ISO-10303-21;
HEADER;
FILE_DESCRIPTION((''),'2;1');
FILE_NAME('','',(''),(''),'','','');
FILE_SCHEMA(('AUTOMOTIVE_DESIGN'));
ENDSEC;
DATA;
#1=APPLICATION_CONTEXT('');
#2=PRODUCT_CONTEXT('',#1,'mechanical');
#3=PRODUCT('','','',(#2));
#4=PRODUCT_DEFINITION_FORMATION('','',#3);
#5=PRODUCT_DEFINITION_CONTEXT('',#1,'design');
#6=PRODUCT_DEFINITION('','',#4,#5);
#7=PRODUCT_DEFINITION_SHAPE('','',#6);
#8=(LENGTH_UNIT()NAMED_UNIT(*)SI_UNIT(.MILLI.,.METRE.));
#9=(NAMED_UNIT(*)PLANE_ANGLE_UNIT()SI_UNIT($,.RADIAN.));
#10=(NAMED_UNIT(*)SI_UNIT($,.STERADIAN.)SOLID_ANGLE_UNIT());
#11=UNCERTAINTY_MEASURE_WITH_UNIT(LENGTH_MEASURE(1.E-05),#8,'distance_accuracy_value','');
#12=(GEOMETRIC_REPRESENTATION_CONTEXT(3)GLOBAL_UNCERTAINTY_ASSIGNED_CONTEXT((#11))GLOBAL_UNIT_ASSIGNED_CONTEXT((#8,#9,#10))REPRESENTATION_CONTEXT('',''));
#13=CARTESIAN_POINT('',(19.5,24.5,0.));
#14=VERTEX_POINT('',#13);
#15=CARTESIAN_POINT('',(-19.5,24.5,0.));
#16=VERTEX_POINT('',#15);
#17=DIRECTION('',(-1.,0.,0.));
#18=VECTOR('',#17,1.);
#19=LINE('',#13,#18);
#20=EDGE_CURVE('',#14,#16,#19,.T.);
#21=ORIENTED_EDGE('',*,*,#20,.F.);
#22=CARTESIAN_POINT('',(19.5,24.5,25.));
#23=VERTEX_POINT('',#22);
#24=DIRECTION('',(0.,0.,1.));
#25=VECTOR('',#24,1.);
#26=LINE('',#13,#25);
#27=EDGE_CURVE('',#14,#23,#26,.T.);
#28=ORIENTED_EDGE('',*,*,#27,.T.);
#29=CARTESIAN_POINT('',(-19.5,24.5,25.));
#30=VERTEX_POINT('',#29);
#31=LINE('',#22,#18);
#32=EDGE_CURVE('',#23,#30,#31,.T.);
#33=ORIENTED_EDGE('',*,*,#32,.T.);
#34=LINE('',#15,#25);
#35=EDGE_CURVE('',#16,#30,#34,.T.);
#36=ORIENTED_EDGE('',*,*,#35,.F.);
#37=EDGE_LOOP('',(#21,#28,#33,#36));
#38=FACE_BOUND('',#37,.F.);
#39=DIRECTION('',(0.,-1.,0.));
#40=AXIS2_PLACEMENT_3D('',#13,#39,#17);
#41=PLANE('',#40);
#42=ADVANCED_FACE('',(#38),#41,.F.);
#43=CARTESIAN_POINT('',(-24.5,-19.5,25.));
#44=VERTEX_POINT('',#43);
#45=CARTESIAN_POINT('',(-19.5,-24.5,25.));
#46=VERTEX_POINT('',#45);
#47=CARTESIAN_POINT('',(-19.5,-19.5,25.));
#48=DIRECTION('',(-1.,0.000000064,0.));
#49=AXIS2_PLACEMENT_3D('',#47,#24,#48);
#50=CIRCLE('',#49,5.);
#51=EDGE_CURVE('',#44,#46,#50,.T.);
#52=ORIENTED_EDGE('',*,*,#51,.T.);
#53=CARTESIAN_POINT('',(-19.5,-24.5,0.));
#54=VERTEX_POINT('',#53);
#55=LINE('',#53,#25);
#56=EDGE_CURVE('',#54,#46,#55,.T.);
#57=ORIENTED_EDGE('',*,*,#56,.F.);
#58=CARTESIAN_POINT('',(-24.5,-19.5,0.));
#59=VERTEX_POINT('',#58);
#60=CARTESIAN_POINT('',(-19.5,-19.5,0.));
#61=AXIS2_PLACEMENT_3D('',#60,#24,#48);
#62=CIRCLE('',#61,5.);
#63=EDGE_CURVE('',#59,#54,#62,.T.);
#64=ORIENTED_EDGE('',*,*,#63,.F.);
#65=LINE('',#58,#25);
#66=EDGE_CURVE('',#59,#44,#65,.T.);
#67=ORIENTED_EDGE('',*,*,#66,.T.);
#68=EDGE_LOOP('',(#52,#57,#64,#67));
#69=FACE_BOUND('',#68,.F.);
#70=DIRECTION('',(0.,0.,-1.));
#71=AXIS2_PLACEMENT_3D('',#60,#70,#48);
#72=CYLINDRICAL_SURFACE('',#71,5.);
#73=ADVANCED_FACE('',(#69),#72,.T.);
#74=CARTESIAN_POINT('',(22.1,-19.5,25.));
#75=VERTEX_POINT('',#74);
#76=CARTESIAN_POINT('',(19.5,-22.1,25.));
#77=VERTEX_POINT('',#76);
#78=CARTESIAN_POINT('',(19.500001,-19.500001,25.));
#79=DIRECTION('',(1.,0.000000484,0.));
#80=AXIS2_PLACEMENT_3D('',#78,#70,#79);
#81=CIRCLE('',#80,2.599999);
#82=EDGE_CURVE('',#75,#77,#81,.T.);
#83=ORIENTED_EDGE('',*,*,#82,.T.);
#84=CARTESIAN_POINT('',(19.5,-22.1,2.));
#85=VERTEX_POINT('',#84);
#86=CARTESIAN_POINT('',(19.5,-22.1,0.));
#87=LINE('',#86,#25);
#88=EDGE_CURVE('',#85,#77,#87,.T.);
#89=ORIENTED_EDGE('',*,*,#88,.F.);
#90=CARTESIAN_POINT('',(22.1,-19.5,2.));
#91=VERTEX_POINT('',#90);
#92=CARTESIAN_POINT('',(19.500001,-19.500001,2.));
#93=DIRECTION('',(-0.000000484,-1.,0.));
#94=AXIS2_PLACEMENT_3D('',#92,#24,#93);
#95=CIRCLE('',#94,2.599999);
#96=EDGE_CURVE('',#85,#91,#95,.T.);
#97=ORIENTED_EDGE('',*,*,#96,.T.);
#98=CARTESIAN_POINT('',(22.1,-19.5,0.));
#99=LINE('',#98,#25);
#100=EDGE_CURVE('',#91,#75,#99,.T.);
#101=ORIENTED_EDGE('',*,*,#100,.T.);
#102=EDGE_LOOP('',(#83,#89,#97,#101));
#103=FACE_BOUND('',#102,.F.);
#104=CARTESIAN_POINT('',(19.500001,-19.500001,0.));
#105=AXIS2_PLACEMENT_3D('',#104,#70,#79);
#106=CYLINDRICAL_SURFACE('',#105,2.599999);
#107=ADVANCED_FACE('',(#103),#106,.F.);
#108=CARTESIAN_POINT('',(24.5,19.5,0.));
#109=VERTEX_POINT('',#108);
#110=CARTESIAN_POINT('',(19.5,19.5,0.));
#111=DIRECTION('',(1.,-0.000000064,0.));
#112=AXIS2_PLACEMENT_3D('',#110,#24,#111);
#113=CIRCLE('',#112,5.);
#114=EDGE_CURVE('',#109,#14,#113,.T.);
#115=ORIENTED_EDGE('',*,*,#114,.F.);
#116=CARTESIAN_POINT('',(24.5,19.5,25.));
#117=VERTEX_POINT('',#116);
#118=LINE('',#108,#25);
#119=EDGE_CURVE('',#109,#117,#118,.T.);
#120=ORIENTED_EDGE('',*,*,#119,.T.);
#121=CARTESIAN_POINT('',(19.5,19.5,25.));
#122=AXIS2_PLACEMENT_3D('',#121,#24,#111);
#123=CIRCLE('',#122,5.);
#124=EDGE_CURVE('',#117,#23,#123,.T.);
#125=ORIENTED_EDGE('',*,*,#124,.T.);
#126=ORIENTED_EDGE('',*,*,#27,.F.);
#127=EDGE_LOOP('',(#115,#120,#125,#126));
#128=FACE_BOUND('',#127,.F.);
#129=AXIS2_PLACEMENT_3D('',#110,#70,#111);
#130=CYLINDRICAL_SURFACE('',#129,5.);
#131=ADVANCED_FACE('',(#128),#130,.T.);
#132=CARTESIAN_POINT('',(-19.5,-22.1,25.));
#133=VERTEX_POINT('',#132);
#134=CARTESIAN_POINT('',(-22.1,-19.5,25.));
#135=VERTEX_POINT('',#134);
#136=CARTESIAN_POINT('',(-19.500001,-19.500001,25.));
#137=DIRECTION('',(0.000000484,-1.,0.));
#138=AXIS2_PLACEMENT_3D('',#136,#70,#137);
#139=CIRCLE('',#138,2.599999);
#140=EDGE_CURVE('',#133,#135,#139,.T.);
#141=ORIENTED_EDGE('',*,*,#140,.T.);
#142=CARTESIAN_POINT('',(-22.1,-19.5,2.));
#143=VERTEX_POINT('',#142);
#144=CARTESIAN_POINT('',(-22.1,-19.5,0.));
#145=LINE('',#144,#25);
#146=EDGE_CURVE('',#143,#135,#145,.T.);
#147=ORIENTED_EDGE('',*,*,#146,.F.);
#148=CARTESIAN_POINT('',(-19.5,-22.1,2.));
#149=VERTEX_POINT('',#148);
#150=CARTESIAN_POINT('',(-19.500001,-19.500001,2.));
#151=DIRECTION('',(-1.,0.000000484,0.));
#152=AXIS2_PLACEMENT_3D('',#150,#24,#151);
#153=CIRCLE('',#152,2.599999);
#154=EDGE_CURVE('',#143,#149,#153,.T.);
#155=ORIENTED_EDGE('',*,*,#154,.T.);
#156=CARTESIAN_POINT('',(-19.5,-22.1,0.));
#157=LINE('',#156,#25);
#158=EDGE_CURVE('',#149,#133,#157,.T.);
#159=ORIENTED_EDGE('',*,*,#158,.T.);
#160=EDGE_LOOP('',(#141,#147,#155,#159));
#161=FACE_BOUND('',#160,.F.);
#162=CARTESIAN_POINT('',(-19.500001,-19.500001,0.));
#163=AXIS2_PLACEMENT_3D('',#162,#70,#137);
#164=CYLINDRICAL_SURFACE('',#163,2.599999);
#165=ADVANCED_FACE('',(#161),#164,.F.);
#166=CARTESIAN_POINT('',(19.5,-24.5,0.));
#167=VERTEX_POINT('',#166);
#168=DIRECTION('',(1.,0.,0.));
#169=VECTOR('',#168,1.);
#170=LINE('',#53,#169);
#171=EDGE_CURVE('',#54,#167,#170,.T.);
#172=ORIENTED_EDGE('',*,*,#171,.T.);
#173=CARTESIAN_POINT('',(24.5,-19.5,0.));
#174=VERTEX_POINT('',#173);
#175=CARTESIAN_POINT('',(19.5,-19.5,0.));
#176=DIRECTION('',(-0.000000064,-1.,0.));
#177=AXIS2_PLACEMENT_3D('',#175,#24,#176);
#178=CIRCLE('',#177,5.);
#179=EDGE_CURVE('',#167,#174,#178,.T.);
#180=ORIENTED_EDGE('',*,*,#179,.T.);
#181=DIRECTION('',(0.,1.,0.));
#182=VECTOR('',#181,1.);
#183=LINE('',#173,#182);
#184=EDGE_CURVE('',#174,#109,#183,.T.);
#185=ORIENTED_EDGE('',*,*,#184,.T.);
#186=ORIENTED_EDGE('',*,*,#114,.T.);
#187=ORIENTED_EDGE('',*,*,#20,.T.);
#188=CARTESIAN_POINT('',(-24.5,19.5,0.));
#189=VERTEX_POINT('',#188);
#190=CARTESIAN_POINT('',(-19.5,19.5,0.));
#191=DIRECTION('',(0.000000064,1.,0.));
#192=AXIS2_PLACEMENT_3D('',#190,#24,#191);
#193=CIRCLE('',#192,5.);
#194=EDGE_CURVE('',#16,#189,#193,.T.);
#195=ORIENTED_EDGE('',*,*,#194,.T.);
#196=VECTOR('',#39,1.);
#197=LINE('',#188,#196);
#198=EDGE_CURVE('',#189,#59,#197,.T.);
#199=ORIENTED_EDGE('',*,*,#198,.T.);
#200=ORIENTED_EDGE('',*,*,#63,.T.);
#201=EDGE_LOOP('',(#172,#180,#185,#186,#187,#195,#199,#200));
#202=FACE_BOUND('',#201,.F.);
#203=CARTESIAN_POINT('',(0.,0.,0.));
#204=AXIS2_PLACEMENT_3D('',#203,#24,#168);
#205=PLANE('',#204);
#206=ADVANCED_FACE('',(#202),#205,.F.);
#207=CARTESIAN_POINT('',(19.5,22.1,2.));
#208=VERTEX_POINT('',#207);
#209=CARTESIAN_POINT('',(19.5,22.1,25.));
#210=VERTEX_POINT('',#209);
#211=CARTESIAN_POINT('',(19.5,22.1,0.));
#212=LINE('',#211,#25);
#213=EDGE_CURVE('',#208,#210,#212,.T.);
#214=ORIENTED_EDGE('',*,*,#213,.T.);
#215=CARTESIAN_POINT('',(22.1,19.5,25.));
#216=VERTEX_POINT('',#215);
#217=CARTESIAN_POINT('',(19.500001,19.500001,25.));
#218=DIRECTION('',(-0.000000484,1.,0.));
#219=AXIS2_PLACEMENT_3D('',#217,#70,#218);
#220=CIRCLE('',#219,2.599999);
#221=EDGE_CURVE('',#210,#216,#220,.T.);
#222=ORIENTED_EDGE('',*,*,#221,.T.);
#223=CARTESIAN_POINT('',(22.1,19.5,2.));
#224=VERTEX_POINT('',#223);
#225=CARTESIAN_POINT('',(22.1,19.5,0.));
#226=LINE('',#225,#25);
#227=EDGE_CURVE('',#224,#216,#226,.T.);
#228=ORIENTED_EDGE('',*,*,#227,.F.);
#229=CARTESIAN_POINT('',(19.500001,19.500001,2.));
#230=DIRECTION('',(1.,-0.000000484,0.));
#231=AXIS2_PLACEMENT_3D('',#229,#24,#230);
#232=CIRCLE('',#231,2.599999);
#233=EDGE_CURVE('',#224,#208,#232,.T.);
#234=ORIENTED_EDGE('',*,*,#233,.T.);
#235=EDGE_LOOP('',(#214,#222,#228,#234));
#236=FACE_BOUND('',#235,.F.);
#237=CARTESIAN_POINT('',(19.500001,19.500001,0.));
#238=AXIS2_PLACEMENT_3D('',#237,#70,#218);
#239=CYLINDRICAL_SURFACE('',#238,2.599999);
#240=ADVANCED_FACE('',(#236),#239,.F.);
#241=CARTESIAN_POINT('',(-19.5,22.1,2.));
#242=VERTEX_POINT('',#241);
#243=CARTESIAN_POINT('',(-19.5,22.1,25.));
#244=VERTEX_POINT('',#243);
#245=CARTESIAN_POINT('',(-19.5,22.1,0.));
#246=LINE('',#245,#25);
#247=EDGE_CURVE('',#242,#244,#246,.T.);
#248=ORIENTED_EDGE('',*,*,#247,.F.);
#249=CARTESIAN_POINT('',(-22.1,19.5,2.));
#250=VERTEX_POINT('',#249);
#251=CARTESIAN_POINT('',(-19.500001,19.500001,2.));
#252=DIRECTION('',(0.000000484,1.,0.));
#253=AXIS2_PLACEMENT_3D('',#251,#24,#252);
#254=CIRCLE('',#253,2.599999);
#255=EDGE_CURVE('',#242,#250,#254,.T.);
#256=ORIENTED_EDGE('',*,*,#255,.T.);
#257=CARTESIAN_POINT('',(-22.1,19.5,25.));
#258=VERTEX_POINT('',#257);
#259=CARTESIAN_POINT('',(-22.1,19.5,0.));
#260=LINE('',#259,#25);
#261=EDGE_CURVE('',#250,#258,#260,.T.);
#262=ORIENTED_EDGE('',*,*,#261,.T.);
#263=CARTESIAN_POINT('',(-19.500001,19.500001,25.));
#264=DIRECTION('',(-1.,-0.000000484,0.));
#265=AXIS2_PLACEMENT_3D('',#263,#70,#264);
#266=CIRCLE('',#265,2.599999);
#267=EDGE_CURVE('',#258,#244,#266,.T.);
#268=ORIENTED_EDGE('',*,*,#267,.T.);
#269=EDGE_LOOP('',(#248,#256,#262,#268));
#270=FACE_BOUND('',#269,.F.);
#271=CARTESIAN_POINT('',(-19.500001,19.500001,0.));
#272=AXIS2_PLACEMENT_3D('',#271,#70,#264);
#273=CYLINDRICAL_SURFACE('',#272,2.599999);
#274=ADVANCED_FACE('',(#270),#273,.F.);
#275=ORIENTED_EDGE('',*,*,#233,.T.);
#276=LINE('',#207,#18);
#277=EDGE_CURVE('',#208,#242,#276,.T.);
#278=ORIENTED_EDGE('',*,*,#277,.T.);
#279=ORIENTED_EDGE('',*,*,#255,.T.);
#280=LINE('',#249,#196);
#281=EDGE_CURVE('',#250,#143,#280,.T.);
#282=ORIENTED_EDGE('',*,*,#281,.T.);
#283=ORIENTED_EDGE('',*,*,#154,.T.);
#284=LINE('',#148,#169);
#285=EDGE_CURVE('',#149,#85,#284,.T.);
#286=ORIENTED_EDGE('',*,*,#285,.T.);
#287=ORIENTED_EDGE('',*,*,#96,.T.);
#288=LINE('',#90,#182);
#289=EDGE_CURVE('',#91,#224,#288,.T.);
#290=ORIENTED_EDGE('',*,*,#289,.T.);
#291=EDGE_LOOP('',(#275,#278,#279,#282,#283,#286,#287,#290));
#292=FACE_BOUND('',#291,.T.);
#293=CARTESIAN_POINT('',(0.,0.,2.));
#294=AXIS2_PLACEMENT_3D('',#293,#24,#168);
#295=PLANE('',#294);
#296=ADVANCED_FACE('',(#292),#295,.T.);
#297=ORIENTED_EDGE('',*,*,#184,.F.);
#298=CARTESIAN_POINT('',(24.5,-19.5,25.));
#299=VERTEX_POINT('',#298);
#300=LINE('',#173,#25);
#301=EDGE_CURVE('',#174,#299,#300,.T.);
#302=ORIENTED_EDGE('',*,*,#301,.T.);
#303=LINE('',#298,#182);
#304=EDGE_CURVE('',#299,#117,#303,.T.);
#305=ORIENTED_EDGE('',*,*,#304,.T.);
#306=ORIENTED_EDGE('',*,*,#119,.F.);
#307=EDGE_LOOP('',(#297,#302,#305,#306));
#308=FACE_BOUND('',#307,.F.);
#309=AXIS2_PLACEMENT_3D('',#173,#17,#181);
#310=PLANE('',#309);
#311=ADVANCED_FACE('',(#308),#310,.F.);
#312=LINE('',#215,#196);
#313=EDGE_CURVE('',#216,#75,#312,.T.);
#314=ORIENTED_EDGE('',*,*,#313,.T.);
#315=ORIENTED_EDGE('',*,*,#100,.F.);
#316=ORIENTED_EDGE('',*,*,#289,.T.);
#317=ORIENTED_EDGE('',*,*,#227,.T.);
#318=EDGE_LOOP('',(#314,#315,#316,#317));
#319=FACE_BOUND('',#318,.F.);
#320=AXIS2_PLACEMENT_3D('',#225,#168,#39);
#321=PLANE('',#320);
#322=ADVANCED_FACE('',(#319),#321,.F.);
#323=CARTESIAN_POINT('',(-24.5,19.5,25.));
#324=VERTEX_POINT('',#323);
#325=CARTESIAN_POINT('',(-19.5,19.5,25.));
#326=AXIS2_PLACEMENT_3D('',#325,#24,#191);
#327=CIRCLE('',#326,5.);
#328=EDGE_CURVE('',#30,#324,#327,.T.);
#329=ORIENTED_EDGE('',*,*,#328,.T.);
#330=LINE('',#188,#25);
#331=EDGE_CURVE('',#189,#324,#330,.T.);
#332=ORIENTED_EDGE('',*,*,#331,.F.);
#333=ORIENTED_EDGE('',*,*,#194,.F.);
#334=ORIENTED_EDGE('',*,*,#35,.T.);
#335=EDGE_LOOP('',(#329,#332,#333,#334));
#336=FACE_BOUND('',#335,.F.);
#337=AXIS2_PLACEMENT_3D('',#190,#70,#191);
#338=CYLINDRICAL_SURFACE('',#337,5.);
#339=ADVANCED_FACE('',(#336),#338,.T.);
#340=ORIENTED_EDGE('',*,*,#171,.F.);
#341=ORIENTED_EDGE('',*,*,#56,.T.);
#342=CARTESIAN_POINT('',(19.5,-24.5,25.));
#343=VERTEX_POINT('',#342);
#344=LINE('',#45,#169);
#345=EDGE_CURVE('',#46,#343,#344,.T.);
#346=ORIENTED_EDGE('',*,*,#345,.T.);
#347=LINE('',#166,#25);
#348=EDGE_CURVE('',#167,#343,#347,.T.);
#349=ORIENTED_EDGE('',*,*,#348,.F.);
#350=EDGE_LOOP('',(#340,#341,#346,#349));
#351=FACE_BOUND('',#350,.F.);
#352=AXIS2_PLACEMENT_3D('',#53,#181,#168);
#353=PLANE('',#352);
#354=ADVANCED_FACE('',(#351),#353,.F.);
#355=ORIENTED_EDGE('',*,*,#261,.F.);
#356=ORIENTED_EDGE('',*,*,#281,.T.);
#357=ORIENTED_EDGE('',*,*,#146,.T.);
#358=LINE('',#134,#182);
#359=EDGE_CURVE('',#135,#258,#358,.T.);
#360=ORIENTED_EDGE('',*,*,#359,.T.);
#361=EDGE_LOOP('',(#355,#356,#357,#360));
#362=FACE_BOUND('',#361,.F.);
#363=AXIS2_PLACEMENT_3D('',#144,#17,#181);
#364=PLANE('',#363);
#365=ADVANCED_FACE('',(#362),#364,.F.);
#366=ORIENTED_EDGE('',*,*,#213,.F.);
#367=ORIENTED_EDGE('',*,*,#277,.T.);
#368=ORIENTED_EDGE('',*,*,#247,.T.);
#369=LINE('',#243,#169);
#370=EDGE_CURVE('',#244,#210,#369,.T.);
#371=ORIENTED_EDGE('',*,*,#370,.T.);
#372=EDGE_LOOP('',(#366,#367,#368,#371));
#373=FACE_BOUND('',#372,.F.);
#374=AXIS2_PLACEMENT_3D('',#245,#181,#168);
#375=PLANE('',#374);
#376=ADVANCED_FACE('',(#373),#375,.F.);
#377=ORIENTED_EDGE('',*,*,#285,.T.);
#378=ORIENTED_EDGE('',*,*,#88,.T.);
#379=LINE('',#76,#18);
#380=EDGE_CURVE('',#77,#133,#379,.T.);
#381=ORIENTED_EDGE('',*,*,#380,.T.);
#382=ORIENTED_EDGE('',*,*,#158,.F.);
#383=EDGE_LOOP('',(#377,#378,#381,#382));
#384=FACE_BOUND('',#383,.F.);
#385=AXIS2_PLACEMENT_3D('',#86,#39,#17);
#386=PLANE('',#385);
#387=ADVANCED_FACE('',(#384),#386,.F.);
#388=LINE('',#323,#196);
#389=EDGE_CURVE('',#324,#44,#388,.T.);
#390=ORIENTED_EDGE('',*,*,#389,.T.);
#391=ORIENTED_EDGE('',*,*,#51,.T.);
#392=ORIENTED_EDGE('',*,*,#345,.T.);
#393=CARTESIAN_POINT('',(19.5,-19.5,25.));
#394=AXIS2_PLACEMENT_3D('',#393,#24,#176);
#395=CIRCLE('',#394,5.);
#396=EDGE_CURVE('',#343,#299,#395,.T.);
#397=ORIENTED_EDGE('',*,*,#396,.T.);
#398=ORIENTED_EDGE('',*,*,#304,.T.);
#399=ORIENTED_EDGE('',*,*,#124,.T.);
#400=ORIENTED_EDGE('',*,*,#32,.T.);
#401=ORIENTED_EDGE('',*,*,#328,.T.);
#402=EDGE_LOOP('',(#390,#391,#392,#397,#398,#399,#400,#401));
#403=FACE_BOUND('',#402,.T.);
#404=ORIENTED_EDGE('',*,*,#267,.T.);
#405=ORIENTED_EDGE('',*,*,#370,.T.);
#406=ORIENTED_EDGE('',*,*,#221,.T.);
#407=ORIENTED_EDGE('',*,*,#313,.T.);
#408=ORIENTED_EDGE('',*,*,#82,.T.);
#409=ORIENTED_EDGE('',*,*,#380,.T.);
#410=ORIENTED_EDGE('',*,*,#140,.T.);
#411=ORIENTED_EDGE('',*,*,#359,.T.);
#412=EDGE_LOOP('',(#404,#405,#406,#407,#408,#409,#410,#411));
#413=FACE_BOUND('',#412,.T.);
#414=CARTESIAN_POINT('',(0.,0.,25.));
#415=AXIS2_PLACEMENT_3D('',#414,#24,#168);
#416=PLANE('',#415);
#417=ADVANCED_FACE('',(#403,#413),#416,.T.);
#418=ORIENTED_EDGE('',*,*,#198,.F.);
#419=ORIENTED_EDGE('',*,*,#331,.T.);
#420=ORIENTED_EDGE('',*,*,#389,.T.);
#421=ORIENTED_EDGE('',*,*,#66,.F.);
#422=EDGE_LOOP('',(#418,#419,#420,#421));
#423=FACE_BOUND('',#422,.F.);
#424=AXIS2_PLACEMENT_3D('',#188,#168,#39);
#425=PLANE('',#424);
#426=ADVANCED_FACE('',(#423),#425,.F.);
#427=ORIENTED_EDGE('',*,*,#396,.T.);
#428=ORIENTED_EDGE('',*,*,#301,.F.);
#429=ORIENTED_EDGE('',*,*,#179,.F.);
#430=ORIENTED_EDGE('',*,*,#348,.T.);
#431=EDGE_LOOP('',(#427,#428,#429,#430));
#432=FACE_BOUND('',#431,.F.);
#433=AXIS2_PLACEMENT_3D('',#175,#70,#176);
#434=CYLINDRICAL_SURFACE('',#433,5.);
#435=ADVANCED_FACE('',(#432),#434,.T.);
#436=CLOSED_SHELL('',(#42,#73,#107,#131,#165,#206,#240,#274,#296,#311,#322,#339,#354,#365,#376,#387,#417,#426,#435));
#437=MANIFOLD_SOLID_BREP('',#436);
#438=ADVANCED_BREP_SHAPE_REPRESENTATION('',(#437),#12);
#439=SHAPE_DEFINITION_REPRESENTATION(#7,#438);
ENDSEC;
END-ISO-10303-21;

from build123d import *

# Parameters (mm, degrees)
F1_DEPTH = 25
F2_DEPTH = 2


with BuildPart() as f1:
    # F0 (on Top) → F1 (new body)
    with BuildSketch(Plane.XY):
        with BuildLine():
            ThreePointArc((-19.5, 24.5), (-23.035534, 23.035534), (-24.5, 19.5))
            Line((-24.5, 19.5), (-24.5, -19.5))
            ThreePointArc((-24.5, -19.5), (-23.035534, -23.035534), (-19.5, -24.5))
            Line((-19.5, -24.5), (19.5, -24.5))
            ThreePointArc((19.5, -24.5), (23.035534, -23.035534), (24.5, -19.5))
            Line((24.5, -19.5), (24.5, 19.5))
            ThreePointArc((24.5, 19.5), (23.035534, 23.035534), (19.5, 24.5))
            Line((19.5, 24.5), (-19.5, 24.5))
        make_face()
        with BuildLine():
            Line((-22.1, -19.5), (-22.1, 19.5))
            ThreePointArc((-22.1, 19.5), (-21.338478, 21.338478), (-19.5, 22.1))
            Line((-19.5, 22.1), (19.5, 22.1))
            ThreePointArc((19.5, 22.1), (21.338478, 21.338478), (22.1, 19.5))
            Line((22.1, 19.5), (22.1, -19.5))
            ThreePointArc((22.1, -19.5), (21.338478, -21.338478), (19.5, -22.1))
            Line((19.5, -22.1), (-19.5, -22.1))
            ThreePointArc((-19.5, -22.1), (-21.338478, -21.338478), (-22.1, -19.5))
        make_face(mode=Mode.SUBTRACT)
    extrude(amount=F1_DEPTH)

    # F0 (on Top) → F2 (join)
    with BuildSketch(Plane.XY):
        with BuildLine():
            ThreePointArc((-19.5, 22.1), (-21.338478, 21.338478), (-22.1, 19.5))
            Line((-22.1, 19.5), (-22.1, -19.5))
            ThreePointArc((-22.1, -19.5), (-21.338478, -21.338478), (-19.5, -22.1))
            Line((-19.5, -22.1), (19.5, -22.1))
            ThreePointArc((19.5, -22.1), (21.338478, -21.338478), (22.1, -19.5))
            Line((22.1, -19.5), (22.1, 19.5))
            ThreePointArc((22.1, 19.5), (21.338478, 21.338478), (19.5, 22.1))
            Line((19.5, 22.1), (-19.5, 22.1))
        make_face()
    extrude(amount=F2_DEPTH)


solid = f1.part
